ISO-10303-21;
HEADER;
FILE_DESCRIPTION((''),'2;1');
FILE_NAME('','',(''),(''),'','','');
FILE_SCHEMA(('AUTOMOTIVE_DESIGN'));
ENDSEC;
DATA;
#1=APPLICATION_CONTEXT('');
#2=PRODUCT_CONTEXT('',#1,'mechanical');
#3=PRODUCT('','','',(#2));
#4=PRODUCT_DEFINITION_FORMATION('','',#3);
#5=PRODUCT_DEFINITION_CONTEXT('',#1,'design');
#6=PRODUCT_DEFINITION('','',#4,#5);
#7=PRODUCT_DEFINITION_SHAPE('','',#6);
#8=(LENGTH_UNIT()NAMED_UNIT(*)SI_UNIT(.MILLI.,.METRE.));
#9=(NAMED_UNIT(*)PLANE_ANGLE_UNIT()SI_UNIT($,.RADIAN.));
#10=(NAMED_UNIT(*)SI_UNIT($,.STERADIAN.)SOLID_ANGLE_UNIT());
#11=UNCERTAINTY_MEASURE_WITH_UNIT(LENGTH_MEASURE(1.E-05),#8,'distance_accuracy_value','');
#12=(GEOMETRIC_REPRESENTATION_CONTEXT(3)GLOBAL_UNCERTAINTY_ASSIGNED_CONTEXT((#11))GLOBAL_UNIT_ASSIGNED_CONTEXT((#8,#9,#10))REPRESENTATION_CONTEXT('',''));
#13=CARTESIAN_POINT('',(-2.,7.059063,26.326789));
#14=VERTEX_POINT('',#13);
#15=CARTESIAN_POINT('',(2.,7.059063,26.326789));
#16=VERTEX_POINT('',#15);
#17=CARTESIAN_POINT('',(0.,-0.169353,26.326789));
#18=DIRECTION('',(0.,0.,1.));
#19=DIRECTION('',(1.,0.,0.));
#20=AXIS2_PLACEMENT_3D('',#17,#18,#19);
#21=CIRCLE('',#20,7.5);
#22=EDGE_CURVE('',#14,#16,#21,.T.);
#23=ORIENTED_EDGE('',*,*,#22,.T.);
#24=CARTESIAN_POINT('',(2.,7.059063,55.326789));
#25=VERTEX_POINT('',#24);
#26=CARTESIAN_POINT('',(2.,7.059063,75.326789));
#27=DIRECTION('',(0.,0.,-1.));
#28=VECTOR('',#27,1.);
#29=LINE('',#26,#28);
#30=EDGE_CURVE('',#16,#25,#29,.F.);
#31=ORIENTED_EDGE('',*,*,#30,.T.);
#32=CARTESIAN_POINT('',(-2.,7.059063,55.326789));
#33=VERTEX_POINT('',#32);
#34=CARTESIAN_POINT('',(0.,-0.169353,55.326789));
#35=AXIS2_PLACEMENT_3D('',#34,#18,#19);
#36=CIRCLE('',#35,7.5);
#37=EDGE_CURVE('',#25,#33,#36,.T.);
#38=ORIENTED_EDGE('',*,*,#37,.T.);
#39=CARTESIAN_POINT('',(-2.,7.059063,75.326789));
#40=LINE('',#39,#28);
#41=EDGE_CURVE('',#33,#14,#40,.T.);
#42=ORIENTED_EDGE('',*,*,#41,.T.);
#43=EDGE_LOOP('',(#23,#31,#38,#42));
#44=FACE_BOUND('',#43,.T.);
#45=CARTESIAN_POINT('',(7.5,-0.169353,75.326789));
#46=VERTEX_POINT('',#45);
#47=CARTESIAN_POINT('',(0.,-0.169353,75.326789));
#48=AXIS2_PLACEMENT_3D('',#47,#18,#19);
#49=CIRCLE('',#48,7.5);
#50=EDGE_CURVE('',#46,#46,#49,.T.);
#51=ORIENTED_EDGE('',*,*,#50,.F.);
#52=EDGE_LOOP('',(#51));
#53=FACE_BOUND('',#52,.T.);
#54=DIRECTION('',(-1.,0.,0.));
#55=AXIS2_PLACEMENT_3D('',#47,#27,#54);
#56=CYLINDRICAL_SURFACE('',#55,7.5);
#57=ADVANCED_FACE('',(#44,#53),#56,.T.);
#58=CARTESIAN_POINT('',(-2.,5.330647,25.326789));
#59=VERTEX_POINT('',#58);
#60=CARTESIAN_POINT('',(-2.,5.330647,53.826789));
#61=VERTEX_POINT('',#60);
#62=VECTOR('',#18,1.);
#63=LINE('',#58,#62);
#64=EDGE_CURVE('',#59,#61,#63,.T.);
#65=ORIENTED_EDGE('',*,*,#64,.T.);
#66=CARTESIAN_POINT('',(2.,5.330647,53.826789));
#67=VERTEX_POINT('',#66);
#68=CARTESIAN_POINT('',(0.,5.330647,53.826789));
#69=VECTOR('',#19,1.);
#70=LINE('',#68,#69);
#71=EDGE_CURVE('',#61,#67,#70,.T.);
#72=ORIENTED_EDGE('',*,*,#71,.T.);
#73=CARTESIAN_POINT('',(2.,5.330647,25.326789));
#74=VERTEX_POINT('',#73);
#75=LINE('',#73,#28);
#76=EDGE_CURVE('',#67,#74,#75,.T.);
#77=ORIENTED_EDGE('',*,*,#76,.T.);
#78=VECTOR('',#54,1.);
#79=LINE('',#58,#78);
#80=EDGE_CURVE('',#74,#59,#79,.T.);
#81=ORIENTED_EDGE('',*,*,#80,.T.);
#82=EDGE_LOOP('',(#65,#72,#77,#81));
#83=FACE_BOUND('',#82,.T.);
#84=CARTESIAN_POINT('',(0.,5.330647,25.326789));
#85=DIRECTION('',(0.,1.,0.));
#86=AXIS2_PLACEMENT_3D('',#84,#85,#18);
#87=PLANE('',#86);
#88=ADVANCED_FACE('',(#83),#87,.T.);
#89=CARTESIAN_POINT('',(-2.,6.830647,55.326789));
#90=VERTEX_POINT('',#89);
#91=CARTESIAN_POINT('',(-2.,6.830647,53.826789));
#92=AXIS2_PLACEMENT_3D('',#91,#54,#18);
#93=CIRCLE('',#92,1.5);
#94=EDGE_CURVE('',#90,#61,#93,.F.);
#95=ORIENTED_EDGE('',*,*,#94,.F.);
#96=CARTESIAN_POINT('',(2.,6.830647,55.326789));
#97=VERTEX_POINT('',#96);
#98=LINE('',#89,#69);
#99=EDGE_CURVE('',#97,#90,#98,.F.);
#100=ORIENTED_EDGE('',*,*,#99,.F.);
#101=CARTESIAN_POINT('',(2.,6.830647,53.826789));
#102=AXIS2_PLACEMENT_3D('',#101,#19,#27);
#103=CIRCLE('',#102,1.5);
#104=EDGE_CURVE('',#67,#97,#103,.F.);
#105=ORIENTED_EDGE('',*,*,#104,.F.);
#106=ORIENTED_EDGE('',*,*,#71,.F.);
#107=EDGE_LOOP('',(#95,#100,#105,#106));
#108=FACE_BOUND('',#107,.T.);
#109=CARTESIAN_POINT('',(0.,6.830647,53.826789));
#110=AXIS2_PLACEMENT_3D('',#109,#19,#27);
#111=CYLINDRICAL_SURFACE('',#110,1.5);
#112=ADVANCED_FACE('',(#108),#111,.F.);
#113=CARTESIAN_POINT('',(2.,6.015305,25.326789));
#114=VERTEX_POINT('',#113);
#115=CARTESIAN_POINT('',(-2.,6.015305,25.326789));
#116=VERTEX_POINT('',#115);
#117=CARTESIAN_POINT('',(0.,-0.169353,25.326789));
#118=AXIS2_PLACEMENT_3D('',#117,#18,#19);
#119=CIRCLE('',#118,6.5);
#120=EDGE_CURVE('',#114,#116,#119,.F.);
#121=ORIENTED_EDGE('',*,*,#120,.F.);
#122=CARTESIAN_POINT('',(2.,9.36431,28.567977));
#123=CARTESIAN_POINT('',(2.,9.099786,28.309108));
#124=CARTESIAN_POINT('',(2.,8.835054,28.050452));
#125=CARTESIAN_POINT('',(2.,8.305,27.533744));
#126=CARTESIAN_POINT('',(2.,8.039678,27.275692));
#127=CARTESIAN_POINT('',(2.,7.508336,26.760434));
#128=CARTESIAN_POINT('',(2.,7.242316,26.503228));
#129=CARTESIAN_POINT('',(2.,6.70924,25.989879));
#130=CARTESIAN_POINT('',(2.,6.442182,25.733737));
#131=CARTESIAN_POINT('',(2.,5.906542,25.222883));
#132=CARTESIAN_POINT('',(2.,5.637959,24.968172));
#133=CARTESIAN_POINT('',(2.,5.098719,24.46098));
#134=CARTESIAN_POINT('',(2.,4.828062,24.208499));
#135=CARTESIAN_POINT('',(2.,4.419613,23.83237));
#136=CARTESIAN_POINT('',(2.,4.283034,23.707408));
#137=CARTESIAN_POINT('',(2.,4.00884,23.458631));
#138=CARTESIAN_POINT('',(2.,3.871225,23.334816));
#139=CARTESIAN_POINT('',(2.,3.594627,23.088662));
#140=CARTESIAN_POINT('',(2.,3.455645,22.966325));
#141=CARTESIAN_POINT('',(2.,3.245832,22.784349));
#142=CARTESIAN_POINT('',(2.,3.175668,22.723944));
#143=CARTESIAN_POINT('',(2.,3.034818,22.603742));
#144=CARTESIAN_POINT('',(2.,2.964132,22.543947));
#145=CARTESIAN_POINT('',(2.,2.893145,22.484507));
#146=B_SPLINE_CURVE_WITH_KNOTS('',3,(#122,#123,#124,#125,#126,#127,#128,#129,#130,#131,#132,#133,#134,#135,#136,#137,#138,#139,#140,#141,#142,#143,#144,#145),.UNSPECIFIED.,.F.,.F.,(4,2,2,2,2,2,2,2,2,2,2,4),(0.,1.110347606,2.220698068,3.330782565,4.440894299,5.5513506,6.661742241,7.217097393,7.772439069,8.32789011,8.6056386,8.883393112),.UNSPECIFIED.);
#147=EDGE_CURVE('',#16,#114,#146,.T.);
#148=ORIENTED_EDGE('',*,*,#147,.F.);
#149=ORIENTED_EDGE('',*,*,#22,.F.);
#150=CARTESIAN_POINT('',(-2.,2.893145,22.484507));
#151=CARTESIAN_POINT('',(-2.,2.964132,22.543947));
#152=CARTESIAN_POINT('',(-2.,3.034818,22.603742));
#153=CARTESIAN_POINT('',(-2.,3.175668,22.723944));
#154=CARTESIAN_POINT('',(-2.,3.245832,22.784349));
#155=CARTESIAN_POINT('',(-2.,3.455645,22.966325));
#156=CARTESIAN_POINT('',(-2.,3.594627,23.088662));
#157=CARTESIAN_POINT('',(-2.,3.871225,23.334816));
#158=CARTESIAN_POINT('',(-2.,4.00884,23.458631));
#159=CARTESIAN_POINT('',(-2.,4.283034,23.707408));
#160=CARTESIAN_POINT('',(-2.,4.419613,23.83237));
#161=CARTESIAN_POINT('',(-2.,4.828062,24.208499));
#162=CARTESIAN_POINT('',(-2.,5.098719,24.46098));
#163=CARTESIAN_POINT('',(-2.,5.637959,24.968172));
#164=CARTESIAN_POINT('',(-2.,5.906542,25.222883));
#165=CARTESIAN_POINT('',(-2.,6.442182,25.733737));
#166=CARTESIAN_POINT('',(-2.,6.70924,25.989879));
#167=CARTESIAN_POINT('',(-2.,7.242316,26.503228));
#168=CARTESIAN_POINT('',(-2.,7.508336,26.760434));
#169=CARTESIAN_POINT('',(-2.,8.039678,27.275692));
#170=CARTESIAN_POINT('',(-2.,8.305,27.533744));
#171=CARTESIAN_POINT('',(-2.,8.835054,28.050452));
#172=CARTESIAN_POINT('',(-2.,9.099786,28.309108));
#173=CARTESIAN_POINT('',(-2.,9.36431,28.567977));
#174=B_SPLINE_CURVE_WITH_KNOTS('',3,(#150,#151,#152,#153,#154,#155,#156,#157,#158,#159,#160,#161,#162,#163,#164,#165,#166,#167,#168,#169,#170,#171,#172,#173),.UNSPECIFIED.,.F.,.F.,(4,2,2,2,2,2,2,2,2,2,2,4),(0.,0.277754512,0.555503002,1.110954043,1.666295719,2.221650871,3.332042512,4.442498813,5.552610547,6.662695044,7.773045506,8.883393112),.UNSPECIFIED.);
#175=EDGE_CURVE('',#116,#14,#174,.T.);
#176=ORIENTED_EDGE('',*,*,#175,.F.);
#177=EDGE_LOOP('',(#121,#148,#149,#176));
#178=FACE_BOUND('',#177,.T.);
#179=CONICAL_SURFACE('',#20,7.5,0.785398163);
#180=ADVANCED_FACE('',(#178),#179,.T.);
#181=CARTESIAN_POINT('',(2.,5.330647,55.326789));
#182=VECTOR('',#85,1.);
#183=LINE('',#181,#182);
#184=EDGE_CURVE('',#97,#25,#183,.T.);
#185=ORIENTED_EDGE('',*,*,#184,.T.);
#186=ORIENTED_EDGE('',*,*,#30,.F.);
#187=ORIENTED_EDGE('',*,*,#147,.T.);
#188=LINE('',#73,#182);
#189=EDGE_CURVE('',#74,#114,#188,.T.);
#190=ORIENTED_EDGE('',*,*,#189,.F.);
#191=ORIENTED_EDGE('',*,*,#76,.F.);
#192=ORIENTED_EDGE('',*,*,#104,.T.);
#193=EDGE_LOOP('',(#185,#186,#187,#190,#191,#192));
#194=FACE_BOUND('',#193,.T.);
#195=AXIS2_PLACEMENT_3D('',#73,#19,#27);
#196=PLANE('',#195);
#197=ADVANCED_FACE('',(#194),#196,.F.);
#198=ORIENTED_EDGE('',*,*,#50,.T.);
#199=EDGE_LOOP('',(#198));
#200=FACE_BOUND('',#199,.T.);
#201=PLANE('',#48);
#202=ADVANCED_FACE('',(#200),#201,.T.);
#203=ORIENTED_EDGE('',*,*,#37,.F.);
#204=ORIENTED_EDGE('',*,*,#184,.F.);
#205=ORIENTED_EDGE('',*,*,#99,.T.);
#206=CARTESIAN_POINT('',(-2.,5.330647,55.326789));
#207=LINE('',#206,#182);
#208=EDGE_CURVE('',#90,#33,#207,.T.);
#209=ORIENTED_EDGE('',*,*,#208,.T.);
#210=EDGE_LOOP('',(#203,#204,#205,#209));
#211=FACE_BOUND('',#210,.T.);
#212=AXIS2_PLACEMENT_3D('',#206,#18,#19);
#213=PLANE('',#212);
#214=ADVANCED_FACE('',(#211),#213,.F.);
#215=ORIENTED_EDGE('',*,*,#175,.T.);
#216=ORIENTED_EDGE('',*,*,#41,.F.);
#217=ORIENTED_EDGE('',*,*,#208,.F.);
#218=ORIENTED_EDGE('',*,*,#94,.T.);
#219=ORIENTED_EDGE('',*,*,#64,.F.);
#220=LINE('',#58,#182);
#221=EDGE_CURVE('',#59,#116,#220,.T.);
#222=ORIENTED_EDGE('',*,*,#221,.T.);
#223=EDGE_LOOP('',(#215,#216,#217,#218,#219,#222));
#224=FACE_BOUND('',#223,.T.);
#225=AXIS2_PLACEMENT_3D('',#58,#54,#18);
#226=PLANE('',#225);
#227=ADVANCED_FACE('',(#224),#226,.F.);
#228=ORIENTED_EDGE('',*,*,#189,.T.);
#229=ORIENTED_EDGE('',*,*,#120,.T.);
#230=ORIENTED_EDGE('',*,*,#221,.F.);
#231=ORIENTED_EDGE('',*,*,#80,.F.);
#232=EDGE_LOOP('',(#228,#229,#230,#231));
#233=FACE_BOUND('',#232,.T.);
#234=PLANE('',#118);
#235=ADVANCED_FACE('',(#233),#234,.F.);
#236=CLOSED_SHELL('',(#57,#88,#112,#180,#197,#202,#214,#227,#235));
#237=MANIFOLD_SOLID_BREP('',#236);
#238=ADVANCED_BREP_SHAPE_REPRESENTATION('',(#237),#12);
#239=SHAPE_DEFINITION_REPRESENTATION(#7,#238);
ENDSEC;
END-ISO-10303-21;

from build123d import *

# Parameters (mm, degrees)
SKETCH1_R           = 15
BOSS_EXTRUDE1_DEPTH = 100
CHAMFER1_SIZE       = 2
SKETCH3_W           = 8
SKETCH3_H           = 60
CUT_EXTRUDE1_DEPTH  = 4
FILLET1_R           = 3
ESCALA1_SCALE       = 0.5


with BuildPart() as part:
    # Sketch1 → Boss-Extrude1 (new body)
    with BuildSketch(Plane.XY):
        Circle(SKETCH1_R)
    extrude(amount=BOSS_EXTRUDE1_DEPTH)

    # Chamfer1
    chamfer1_edges = [part.edges().sort_by_distance(p)[0] for p in [
        (-15, 0, 0),
    ]]
    chamfer(chamfer1_edges, length=CHAMFER1_SIZE)

    # Sketch3 → Cut-Extrude1 (cut)
    with BuildSketch(Plane(origin=(0, 15, 100), x_dir=(1, 0, 0), z_dir=(0, 1, 0))):
        with Locations((0, 70)):
            Rectangle(SKETCH3_W, SKETCH3_H)
    extrude(amount=-CUT_EXTRUDE1_DEPTH, mode=Mode.SUBTRACT)

    # Fillet1
    fillet1_edges = [part.edges().sort_by_distance(p)[0] for p in [
        (0, 11, 60),
    ]]
    fillet(fillet1_edges, radius=FILLET1_R)


with BuildPart() as part_1:
    # Escala1: scaled about (0, -0.338706131, 50.653578584)
    add(part.part.scale(ESCALA1_SCALE).moved(Location((0, -0.169353066, 25.326789292))))


solid = part_1.part
